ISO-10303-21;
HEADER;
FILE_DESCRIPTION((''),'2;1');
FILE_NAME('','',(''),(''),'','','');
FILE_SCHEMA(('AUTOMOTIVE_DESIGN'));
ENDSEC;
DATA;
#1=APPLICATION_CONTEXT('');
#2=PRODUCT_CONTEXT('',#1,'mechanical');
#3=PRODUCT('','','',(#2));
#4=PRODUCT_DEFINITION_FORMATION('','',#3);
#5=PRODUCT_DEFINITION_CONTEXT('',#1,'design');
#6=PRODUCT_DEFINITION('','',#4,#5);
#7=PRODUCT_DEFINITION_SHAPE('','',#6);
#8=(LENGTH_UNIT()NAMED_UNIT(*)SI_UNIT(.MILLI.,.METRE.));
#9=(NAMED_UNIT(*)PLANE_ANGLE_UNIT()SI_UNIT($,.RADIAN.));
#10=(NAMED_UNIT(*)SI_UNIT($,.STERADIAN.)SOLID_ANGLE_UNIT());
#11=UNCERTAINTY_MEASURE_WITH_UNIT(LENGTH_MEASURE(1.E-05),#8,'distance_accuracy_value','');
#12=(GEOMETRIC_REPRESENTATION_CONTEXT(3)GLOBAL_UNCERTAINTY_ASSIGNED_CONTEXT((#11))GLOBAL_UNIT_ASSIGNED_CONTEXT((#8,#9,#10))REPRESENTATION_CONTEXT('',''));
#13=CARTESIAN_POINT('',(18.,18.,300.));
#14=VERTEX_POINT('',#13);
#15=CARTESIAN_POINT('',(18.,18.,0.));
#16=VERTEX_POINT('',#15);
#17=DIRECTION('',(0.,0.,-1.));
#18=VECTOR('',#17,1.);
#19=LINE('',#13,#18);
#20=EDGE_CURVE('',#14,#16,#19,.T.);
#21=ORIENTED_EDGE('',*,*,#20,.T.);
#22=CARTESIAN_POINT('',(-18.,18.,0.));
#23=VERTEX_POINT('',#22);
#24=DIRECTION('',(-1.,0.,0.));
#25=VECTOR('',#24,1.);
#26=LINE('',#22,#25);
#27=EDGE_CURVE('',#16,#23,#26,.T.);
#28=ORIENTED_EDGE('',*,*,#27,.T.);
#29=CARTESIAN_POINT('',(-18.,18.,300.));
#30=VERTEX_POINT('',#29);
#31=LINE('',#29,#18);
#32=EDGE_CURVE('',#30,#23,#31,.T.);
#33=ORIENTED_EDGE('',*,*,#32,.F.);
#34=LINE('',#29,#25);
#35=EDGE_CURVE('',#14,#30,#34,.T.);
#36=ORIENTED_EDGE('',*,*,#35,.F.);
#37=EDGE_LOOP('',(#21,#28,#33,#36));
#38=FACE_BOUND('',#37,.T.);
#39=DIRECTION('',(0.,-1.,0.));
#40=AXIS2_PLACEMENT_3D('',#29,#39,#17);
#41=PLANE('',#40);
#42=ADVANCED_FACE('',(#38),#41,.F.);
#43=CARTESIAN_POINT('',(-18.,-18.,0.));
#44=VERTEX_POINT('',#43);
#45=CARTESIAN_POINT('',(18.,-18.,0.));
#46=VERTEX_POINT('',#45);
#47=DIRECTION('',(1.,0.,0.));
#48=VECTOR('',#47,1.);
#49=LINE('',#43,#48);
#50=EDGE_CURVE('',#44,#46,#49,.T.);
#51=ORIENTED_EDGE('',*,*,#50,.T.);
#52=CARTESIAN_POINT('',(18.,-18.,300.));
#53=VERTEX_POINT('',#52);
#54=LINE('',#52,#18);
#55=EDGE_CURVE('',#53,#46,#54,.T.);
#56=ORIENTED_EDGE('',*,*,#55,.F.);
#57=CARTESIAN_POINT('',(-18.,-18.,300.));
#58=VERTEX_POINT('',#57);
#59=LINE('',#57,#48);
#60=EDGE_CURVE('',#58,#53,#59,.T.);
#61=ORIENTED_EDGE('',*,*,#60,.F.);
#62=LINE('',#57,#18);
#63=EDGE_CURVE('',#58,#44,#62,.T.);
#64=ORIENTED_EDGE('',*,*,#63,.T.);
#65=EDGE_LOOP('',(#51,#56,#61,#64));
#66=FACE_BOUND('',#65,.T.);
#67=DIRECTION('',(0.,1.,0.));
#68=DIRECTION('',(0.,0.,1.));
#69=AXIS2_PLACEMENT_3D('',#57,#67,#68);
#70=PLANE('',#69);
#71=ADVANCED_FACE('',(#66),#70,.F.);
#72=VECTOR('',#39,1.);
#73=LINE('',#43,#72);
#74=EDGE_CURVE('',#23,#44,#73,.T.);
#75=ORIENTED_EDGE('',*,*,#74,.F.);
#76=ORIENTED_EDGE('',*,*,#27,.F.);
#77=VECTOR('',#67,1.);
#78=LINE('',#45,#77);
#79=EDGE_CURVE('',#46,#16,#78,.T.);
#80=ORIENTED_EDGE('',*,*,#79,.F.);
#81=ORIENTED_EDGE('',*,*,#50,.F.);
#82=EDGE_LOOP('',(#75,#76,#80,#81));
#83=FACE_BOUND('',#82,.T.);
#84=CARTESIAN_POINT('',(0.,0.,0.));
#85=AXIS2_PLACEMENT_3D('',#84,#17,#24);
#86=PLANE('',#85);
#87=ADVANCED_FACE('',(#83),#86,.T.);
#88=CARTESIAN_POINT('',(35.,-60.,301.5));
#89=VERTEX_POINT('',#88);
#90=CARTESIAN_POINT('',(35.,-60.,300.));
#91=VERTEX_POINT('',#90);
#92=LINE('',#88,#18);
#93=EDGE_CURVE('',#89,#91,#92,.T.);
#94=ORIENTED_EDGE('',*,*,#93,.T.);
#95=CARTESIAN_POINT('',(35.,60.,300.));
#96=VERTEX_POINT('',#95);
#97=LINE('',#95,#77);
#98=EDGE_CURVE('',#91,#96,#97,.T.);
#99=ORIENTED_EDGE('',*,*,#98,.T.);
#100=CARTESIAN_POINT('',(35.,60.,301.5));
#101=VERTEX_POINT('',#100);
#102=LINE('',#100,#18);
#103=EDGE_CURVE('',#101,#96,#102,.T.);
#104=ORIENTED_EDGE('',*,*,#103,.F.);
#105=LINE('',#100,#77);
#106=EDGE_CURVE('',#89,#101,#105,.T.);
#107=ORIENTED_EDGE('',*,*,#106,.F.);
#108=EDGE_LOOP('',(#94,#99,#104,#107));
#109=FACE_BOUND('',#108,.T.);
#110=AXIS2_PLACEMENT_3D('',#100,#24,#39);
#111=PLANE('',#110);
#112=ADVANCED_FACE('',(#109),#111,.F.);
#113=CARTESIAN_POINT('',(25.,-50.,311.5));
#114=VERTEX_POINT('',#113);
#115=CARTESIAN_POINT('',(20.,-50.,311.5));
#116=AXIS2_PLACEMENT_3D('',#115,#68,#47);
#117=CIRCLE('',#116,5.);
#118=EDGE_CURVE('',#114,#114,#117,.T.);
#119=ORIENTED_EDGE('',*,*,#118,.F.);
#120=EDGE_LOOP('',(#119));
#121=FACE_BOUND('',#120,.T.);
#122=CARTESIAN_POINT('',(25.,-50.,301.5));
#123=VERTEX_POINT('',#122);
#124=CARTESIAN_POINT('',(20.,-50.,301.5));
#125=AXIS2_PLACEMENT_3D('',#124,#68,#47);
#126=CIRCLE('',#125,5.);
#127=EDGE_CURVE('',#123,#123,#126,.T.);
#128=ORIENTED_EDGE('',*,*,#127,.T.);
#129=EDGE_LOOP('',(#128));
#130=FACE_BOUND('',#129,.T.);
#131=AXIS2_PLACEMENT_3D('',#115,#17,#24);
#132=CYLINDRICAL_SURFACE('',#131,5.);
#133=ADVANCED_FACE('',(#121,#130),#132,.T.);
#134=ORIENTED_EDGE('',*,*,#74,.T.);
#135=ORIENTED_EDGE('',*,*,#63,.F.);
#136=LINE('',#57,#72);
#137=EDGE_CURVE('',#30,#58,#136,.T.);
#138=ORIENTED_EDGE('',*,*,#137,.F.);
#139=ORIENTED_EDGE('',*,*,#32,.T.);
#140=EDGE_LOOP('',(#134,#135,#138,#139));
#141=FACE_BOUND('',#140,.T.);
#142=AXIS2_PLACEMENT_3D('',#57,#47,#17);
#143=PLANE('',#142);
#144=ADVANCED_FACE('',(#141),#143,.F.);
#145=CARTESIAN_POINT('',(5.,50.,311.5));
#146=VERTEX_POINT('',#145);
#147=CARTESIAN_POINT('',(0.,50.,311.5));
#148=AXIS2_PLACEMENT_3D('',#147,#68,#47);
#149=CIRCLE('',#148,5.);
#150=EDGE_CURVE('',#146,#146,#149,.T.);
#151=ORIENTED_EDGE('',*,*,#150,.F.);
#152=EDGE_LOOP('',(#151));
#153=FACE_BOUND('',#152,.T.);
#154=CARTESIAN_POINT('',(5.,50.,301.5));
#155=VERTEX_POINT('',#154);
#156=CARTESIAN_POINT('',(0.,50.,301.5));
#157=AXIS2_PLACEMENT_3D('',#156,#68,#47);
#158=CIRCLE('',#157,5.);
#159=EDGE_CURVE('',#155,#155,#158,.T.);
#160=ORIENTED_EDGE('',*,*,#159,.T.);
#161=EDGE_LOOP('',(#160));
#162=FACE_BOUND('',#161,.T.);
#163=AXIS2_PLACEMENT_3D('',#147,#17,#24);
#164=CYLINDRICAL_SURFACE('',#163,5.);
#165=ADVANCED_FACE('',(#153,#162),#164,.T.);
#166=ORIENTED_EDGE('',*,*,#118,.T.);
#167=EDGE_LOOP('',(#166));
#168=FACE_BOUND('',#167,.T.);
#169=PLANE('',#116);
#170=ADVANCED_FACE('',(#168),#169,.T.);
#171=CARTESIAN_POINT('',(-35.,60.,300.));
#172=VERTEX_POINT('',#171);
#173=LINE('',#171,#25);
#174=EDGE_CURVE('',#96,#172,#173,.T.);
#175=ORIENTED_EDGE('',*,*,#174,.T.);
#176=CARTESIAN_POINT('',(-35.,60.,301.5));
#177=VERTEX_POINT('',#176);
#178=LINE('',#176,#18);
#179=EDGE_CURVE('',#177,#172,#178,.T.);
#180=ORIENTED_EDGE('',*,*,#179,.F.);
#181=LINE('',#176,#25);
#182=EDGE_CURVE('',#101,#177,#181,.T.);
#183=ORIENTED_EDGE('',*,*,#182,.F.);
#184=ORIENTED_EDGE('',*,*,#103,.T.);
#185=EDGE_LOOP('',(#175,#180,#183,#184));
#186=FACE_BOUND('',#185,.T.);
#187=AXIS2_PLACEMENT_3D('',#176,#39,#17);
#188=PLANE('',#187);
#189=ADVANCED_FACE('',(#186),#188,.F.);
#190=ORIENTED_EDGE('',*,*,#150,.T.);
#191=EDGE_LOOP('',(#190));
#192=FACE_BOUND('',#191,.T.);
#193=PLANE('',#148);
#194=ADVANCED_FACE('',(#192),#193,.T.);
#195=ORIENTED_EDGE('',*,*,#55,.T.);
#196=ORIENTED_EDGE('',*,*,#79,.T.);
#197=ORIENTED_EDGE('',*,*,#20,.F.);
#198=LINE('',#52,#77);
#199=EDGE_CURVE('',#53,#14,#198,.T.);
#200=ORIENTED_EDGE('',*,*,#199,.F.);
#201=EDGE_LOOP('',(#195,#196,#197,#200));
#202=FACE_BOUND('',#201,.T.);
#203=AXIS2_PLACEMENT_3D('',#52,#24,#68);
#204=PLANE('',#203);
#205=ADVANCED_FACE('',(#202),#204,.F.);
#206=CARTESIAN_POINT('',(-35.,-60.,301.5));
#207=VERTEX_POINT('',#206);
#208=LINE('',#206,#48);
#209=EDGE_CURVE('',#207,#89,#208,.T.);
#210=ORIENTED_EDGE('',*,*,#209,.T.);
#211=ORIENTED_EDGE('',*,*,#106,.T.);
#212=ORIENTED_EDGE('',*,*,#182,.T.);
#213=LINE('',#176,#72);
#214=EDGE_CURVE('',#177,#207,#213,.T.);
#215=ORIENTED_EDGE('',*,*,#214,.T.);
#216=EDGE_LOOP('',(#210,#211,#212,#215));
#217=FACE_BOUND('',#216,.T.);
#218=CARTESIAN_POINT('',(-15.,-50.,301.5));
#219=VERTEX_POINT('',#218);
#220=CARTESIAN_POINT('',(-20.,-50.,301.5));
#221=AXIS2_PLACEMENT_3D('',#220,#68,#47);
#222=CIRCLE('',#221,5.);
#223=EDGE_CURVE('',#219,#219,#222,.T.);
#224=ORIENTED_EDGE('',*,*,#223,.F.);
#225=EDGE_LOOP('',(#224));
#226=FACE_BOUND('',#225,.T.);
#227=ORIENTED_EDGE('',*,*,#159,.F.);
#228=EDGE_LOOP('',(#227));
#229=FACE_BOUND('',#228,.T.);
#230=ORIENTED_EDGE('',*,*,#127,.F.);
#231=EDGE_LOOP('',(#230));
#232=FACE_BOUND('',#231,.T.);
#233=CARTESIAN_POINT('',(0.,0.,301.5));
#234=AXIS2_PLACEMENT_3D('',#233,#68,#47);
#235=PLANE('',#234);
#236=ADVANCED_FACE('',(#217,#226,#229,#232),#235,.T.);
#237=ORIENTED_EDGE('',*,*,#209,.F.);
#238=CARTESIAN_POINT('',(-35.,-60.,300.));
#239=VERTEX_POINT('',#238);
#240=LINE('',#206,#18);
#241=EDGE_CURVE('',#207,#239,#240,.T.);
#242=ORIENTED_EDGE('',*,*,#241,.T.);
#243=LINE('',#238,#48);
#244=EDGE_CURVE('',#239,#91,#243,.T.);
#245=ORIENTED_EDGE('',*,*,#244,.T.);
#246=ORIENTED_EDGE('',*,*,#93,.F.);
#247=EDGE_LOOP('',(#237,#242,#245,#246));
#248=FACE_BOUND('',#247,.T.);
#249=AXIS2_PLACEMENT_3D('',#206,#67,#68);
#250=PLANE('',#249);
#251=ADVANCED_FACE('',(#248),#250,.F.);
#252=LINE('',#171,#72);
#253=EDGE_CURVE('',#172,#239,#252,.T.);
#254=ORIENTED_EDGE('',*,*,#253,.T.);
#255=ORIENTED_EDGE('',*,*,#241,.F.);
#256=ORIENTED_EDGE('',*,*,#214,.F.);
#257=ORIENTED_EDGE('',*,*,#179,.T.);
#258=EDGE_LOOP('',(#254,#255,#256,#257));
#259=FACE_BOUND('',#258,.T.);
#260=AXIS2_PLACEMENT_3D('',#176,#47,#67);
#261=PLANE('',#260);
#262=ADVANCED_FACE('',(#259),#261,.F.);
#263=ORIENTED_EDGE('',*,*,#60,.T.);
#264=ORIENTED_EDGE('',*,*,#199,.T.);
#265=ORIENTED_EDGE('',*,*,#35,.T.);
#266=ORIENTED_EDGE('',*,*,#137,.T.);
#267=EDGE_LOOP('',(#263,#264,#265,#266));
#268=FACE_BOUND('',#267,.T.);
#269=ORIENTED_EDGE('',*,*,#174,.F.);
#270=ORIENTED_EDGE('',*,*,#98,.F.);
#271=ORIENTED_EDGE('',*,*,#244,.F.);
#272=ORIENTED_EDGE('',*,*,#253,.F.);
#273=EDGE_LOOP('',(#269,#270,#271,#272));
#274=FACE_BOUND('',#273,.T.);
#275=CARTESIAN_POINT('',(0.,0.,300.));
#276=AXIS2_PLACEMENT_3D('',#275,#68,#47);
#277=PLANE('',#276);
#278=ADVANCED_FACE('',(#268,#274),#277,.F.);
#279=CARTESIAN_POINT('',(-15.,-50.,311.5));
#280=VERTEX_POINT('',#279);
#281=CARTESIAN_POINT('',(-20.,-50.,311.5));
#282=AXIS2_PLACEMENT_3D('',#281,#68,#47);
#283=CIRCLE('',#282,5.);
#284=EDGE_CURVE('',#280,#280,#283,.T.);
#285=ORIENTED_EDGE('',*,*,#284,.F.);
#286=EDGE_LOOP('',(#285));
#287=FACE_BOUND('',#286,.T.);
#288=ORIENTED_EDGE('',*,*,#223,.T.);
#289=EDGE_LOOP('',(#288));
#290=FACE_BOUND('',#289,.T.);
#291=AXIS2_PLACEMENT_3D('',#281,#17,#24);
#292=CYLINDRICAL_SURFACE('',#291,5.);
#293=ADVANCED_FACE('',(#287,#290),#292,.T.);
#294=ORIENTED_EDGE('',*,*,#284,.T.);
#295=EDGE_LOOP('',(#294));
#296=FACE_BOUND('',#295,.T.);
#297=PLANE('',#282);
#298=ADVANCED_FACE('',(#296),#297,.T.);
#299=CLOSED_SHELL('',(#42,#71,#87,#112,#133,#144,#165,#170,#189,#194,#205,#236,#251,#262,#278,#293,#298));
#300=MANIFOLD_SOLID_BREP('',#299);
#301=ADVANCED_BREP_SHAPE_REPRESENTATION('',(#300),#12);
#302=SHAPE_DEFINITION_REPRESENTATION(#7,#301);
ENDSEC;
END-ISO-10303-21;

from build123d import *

# Parameters (mm, degrees)
SKETCH1_W           = 36
SKETCH1_H           = 36
BOSS_EXTRUDE1_DEPTH = 300
SKETCH2_W           = 70
SKETCH2_H           = 120
BOSS_EXTRUDE2_DEPTH = 1.5
SKETCH3_R           = 5
BOSS_EXTRUDE3_DEPTH = 10


with BuildPart() as part:
    # Sketch1 → Boss-Extrude1 (new body)
    with BuildSketch(Plane.XY):
        Rectangle(SKETCH1_W, SKETCH1_H)
    extrude(amount=BOSS_EXTRUDE1_DEPTH)

    # Sketch2 → Boss-Extrude2 (add)
    with BuildSketch(Plane.XY.offset(300)):
        Rectangle(SKETCH2_W, SKETCH2_H)
    extrude(amount=BOSS_EXTRUDE2_DEPTH)

    # Sketch3 → Boss-Extrude3 (add)
    with BuildSketch(Plane.XY.offset(301.5)):
        with Locations((0, 50)):
            Circle(SKETCH3_R)
        with Locations((-20, -50)):
            Circle(SKETCH3_R)
        with Locations((20, -50)):
            Circle(SKETCH3_R)
    extrude(amount=BOSS_EXTRUDE3_DEPTH)


solid = part.part
